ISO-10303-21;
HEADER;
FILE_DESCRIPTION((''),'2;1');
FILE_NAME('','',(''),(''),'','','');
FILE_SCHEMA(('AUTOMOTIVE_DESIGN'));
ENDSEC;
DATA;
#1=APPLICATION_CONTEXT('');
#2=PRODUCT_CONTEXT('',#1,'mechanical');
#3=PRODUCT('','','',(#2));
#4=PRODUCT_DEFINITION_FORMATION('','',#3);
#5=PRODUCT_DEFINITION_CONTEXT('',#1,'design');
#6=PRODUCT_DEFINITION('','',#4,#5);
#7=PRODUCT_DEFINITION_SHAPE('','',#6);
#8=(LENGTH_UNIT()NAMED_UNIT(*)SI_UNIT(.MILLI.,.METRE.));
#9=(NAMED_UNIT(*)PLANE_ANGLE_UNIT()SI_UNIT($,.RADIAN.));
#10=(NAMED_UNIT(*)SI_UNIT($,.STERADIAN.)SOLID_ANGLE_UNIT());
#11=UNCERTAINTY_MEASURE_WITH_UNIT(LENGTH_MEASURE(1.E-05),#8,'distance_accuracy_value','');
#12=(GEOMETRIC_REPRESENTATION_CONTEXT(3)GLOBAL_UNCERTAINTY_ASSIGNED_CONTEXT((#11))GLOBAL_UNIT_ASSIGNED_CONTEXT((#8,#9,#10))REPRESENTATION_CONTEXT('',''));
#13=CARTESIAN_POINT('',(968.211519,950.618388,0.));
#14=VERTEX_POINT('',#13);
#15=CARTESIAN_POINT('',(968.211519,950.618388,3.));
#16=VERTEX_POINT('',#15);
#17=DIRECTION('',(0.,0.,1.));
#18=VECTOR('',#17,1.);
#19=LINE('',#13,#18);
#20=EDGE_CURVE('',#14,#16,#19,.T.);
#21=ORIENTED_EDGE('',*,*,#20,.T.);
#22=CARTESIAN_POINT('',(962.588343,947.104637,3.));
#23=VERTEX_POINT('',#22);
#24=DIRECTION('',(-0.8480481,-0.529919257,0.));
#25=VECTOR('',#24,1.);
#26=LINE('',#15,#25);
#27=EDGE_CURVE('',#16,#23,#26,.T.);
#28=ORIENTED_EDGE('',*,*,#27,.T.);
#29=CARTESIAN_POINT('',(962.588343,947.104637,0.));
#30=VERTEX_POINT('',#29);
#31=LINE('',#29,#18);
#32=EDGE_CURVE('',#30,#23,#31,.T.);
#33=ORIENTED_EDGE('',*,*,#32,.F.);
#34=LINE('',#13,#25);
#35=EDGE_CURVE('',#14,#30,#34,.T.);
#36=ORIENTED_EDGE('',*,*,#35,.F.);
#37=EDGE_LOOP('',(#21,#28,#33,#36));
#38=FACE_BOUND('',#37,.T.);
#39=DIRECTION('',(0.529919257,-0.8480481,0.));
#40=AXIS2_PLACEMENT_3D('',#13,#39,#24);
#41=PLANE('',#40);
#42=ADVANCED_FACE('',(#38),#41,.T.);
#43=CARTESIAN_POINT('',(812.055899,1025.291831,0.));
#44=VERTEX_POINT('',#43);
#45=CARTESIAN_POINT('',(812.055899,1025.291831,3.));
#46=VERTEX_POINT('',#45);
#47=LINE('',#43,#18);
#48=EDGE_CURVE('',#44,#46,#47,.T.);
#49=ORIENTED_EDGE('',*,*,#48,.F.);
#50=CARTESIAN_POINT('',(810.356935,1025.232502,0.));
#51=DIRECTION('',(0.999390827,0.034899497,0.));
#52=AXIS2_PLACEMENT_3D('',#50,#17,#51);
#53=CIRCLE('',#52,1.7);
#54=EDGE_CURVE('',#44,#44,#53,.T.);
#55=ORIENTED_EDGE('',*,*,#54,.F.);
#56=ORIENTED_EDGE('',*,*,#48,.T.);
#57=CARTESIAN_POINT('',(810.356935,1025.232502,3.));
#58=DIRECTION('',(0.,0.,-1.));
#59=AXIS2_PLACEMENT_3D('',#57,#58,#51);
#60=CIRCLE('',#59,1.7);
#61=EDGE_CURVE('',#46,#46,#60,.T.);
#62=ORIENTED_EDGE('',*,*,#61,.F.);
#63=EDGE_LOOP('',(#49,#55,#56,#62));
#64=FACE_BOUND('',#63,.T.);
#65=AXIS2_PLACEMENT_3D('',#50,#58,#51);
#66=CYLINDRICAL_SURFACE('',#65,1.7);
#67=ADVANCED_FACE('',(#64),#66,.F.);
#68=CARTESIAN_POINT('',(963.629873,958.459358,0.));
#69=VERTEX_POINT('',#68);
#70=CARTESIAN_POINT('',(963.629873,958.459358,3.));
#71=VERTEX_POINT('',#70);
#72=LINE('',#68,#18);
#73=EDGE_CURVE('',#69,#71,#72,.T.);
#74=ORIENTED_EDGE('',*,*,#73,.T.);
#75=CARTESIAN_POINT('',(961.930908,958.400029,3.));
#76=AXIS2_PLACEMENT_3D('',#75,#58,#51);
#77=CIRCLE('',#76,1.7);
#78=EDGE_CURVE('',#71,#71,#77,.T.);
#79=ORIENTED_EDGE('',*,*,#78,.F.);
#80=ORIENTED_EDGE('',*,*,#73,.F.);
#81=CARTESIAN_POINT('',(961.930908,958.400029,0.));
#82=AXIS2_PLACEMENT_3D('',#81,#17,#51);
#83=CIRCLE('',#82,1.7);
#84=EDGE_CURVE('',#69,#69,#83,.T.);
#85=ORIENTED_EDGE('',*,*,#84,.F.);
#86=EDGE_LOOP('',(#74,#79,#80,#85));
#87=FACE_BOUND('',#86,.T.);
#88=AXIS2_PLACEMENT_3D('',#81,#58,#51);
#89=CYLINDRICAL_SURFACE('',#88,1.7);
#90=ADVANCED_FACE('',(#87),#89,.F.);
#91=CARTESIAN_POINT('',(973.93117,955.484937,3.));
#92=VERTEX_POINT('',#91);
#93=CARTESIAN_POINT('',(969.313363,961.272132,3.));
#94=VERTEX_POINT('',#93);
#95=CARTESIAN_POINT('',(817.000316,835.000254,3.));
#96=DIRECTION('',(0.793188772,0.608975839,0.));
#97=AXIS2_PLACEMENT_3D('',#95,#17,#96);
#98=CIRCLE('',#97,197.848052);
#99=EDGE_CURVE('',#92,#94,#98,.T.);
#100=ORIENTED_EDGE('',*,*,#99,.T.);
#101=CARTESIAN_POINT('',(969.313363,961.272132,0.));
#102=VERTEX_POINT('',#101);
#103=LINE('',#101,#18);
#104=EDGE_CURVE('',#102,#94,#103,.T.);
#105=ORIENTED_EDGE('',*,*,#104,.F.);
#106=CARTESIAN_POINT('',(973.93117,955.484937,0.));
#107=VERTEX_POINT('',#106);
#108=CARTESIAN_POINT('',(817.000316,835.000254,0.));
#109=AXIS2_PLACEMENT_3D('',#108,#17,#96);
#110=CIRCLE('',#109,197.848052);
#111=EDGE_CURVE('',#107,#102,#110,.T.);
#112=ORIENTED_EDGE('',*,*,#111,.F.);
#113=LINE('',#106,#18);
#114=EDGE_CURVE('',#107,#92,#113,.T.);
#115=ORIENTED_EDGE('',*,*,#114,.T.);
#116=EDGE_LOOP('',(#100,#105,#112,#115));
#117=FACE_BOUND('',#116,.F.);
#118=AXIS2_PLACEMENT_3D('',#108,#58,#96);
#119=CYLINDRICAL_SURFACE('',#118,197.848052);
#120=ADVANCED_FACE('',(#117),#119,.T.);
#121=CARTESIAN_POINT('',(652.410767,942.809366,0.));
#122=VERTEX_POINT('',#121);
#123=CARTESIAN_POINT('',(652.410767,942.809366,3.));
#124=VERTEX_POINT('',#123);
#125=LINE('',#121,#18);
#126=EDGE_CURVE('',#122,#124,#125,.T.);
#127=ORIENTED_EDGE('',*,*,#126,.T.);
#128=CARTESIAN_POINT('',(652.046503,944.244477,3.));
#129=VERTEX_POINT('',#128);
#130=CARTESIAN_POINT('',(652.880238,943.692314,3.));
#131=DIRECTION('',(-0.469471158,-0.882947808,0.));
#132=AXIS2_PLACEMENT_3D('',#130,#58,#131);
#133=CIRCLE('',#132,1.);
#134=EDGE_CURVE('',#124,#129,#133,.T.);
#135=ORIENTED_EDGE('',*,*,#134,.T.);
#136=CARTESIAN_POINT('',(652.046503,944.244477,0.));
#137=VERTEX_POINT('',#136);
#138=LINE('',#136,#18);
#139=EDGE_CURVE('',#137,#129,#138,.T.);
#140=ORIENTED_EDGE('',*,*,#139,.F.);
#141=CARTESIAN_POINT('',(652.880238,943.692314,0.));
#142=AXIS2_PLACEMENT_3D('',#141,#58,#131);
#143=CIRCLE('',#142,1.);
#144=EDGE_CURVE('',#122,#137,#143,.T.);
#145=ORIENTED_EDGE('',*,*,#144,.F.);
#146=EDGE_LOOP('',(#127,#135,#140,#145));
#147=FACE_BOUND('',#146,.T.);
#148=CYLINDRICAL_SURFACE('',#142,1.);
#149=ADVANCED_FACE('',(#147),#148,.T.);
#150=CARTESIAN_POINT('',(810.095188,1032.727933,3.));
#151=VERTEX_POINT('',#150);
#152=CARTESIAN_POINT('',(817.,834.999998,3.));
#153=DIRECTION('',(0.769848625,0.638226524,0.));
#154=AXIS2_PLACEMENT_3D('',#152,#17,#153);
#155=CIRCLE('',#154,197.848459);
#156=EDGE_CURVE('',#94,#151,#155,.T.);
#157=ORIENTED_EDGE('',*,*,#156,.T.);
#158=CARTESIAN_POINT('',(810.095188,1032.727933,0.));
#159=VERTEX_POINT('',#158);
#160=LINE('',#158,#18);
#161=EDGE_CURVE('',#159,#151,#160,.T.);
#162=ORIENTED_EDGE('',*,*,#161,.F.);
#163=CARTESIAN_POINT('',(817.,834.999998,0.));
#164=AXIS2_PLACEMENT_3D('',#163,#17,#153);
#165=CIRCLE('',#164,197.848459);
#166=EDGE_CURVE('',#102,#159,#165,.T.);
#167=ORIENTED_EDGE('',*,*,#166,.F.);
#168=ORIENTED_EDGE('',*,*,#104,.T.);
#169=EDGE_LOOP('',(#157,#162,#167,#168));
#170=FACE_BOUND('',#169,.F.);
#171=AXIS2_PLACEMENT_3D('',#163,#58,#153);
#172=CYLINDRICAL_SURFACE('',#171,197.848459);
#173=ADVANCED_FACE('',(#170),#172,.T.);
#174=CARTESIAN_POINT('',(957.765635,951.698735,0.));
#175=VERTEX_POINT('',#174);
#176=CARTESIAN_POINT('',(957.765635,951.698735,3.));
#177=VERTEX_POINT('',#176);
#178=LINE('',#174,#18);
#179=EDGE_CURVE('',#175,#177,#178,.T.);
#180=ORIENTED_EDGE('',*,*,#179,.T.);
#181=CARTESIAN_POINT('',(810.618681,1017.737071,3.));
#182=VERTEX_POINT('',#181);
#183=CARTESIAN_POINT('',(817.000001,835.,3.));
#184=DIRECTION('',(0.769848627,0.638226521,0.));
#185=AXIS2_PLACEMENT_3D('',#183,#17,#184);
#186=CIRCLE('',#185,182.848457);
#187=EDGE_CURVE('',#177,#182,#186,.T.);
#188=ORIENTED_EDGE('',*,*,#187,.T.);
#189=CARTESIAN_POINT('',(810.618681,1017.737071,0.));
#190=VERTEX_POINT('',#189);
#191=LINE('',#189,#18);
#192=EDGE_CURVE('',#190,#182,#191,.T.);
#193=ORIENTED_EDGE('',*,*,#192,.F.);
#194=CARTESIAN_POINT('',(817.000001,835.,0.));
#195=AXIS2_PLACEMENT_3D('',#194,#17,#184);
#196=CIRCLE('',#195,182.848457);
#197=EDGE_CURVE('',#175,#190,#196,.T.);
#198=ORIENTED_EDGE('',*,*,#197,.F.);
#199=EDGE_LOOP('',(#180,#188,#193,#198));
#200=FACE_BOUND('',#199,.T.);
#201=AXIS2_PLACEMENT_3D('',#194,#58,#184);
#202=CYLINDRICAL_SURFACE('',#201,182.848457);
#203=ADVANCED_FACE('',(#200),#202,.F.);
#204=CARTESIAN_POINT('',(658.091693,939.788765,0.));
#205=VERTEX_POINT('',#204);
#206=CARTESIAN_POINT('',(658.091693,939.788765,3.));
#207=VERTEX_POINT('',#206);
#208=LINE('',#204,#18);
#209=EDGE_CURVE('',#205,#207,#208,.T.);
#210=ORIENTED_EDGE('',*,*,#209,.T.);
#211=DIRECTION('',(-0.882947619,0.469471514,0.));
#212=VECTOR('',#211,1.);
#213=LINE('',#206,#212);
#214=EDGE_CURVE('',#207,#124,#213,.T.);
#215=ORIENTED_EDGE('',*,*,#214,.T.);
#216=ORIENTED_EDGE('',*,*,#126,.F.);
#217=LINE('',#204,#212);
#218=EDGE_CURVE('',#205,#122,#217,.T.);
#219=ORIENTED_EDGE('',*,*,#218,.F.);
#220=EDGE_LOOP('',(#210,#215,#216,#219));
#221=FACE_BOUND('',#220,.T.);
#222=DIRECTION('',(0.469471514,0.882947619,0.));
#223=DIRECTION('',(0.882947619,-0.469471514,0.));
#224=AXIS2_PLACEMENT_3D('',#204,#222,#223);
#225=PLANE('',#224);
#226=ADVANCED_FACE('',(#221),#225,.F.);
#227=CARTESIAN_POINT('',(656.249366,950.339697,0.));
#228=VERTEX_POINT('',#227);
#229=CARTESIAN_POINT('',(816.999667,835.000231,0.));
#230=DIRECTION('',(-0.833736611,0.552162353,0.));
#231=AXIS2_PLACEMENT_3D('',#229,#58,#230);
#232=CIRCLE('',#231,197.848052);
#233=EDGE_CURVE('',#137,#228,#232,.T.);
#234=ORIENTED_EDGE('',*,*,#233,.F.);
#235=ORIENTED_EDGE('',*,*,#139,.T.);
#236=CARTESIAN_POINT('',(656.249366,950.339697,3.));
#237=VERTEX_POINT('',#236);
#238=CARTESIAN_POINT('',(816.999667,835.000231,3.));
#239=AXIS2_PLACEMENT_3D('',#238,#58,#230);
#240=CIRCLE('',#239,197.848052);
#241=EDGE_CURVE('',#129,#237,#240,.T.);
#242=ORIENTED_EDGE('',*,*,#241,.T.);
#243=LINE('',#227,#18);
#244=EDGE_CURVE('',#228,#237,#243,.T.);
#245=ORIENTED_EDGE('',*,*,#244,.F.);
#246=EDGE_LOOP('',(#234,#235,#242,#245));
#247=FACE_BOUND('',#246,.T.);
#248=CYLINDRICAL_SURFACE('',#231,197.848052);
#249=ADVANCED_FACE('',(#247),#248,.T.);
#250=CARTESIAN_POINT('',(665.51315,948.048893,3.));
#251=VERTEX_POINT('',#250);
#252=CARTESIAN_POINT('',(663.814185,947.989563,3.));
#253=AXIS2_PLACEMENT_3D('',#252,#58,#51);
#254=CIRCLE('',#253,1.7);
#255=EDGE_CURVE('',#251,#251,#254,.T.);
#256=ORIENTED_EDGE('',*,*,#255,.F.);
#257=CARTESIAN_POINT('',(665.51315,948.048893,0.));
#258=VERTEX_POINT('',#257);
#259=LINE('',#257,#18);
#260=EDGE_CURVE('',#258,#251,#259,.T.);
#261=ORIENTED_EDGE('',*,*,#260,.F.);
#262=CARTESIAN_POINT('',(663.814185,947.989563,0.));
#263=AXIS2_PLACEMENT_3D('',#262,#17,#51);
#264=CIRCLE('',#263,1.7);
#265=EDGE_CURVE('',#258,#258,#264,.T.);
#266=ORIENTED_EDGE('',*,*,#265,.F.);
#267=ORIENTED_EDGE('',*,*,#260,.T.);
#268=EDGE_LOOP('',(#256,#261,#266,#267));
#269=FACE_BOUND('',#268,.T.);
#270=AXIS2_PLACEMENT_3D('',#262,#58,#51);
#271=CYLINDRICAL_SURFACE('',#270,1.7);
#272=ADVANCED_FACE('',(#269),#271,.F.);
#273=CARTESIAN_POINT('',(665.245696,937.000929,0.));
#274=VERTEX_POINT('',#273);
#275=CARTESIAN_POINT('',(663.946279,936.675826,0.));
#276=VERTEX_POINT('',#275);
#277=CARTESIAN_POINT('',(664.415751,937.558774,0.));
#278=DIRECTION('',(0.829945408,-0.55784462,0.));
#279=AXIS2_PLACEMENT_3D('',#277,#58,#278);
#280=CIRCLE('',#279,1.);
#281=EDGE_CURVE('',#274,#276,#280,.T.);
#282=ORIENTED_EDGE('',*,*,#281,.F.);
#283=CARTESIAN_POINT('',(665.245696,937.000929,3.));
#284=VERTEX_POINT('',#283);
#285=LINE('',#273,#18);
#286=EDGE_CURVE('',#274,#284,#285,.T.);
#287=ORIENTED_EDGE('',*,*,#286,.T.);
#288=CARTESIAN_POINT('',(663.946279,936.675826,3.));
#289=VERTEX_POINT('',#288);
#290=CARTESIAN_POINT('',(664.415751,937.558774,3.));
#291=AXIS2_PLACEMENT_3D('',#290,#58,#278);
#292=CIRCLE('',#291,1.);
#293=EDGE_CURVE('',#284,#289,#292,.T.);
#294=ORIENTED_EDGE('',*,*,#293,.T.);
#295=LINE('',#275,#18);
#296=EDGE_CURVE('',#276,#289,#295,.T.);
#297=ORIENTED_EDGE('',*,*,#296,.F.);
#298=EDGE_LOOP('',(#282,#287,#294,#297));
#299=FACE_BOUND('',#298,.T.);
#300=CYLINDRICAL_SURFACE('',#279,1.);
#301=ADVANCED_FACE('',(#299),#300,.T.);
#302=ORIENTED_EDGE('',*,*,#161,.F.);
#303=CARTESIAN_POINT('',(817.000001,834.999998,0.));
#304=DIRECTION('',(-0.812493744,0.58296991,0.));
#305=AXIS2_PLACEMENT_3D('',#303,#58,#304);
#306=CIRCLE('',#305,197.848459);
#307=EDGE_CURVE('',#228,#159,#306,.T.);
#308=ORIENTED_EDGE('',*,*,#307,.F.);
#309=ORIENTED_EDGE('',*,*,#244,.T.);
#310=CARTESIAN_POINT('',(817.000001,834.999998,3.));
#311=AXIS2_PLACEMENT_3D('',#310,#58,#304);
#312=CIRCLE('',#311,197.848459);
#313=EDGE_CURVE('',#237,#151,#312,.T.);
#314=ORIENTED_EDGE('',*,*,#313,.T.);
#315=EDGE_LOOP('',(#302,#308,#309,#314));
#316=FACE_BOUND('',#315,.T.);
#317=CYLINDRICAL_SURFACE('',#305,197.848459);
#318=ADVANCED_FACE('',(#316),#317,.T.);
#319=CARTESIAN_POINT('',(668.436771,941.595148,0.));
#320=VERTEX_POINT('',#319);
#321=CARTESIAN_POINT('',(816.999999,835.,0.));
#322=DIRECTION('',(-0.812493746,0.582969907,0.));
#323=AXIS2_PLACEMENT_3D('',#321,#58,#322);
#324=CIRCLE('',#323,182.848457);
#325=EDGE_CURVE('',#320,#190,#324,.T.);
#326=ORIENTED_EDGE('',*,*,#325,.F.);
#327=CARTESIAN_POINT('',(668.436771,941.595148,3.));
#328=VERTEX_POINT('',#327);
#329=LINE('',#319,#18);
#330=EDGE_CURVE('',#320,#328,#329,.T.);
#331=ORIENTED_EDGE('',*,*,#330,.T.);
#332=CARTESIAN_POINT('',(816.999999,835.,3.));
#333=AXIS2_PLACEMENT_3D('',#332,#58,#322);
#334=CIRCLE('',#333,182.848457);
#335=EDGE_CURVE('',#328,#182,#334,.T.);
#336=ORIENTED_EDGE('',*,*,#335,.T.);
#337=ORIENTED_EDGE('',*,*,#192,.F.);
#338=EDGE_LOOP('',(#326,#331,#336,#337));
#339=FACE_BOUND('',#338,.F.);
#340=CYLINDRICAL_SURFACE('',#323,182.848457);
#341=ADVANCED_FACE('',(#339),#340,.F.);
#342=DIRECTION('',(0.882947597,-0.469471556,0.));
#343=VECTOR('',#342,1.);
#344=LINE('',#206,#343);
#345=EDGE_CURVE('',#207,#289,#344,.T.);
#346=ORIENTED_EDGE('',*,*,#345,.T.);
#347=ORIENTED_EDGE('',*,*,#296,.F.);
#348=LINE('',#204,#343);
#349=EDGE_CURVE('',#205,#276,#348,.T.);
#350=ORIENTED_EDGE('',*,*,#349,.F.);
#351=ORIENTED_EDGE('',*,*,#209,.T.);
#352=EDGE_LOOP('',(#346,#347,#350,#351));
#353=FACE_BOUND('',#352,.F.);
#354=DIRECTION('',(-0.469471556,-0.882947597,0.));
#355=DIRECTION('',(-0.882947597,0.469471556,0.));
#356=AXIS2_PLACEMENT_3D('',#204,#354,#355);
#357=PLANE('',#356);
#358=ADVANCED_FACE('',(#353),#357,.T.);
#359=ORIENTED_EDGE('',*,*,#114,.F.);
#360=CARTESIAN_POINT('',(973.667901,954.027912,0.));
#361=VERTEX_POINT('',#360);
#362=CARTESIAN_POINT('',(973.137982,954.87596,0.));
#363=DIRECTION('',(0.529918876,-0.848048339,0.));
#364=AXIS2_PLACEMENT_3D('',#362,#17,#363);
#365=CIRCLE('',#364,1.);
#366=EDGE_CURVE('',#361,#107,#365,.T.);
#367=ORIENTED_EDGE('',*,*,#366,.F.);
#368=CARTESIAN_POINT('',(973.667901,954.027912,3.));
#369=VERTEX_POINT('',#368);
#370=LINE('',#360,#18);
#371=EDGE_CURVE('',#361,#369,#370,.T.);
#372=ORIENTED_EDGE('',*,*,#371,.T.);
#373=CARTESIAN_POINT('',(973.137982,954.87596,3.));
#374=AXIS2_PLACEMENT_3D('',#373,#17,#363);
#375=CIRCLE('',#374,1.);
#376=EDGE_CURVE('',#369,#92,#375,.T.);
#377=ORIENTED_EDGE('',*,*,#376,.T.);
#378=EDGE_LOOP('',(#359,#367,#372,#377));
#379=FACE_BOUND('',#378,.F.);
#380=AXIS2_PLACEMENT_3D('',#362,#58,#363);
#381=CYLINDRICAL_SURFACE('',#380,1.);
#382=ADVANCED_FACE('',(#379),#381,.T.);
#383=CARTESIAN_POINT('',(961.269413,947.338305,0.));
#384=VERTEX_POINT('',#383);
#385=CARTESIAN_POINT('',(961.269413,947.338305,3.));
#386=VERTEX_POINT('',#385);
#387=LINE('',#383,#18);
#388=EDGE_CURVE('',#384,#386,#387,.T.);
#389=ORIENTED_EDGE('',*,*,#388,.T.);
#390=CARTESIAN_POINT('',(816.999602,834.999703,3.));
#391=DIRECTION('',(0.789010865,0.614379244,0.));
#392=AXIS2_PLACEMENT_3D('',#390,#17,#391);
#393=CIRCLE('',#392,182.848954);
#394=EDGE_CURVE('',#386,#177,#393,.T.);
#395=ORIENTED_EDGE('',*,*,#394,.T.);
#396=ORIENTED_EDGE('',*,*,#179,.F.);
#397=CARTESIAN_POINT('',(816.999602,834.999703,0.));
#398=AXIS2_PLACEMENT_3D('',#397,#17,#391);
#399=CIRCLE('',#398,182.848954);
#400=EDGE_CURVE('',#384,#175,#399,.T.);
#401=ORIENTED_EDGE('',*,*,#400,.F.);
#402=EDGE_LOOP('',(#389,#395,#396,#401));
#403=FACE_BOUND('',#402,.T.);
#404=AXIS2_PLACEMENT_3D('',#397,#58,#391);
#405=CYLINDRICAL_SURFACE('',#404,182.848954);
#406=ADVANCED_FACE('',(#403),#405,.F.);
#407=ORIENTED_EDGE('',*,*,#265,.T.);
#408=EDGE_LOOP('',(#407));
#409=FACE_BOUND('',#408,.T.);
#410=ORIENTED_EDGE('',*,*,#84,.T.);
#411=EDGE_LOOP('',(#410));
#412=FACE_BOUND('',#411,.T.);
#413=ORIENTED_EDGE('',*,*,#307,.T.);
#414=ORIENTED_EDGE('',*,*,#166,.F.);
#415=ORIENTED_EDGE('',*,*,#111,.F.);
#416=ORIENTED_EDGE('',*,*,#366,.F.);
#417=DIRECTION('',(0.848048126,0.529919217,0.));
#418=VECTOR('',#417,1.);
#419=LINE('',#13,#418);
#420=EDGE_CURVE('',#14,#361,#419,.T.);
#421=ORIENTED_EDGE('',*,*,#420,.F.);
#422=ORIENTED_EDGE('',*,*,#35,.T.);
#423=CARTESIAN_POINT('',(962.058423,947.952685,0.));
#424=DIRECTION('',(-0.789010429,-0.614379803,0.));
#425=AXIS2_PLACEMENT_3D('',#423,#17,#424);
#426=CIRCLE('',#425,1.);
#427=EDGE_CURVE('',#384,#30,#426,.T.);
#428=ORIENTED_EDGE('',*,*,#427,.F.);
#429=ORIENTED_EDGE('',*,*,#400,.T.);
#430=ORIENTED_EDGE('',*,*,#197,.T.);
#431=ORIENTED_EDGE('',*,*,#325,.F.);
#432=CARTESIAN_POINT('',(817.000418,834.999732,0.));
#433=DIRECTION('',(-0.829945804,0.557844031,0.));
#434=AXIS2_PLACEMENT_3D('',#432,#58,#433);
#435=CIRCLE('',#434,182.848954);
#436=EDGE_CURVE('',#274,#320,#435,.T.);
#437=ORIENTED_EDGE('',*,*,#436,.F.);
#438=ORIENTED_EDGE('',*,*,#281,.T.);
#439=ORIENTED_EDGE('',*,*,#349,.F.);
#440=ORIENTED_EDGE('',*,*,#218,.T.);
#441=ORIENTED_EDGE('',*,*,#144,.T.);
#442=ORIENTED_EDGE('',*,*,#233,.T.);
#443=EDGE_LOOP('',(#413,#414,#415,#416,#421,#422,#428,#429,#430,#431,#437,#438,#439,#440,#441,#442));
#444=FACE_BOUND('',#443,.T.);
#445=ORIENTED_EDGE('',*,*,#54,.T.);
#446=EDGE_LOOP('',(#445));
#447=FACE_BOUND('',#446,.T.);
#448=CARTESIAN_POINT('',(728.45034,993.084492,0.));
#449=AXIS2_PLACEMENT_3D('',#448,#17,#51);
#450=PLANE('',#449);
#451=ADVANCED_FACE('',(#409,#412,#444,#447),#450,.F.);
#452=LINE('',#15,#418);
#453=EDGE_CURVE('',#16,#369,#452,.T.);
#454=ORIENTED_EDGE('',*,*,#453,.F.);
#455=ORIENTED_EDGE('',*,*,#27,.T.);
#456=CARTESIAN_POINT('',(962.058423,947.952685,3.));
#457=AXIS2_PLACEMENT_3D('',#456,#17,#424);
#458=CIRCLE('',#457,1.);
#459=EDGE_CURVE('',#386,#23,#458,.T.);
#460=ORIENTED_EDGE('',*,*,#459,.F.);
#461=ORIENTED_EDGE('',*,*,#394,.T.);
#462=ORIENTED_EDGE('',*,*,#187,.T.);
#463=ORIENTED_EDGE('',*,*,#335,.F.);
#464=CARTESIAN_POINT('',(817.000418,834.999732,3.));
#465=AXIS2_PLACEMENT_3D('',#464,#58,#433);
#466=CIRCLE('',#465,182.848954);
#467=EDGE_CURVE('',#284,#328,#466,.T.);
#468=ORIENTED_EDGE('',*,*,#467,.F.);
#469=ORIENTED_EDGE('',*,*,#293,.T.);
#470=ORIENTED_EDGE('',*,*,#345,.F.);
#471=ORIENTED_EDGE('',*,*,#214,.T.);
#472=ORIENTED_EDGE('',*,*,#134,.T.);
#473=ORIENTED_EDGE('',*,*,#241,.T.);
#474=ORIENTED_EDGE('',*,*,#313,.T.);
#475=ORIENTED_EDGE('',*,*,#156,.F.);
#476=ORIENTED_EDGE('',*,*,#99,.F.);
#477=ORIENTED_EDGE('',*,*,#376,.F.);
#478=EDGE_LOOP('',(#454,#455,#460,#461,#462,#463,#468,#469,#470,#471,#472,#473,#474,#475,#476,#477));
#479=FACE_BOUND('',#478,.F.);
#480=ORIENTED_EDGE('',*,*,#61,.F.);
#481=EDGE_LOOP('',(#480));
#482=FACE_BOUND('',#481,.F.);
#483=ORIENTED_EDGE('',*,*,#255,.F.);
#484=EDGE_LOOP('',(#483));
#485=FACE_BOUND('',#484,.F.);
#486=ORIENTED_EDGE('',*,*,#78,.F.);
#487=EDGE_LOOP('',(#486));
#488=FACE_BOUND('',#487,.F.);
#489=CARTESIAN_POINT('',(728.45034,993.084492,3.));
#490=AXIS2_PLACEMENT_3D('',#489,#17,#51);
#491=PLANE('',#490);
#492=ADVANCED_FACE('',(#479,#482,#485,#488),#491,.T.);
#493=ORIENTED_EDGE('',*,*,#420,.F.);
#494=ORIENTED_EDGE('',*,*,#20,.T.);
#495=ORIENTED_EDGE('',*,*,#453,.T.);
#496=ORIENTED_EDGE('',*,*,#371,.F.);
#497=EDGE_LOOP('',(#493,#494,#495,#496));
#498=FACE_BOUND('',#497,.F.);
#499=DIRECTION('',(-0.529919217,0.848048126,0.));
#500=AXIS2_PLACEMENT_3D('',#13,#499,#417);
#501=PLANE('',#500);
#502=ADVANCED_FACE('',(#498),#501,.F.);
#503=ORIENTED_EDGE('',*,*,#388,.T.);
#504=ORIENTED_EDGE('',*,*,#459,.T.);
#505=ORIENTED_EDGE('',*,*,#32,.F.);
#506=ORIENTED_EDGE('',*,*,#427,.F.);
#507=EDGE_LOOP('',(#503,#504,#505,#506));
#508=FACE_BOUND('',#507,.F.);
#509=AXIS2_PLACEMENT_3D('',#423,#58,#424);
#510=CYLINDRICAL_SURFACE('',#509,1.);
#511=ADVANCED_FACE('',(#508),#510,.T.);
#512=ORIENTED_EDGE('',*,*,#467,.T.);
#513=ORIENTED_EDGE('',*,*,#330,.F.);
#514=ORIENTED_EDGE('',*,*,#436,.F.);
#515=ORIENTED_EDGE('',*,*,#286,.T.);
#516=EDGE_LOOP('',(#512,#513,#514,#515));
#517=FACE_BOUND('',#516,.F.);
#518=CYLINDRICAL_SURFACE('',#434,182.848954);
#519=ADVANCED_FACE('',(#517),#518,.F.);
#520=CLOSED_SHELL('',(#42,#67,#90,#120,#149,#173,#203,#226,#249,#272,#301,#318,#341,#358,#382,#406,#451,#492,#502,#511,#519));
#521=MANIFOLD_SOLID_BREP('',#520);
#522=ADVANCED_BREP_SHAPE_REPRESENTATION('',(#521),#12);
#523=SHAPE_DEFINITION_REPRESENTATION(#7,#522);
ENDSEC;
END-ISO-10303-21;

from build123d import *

# Parameters (mm, degrees)
PAD021_DEPTH                        = 3
SKETCH083_R                         = 1.7
POCKET041_DEPTH                     = 0.001
POCKET041_DEPTH_BACK                = 3.001
SKETCH084_R                         = 1.7
POCKET042_DEPTH                     = 0.001
POCKET042_DEPTH_BACK                = 3.001
BODY001003005003013_PLACEMENT_ANGLE = 60
CLONE018_PLACEMENT_ANGLE            = 58


with BuildPart() as part:
    # Sketch082 → Pad021 (new body)
    with BuildSketch(Plane.XY):
        with BuildLine():
            ThreePointArc((156.627412, 120.879551), (87.258751, 177.56667), (0, 197.848457))
            Line((0, 197.848457), (0, 182.848457))
            ThreePointArc((144.752611, 111.714995), (80.643177, 164.104346), (0, 182.848457))
            ThreePointArc((148.102078, 107.234942), (146.444477, 109.487778), (144.752611, 111.714995))
            ThreePointArc((148.102078, 107.234942), (148.703343, 106.843433), (149.41205, 106.955386))
            Line((155.154429, 110.27075), (149.41205, 106.955386))
            Line((155.154429, 110.27075), (160.726477, 113.487773))
            ThreePointArc((160.726477, 113.487773), (161.203737, 114.141753), (161.040435, 114.934722))
            ThreePointArc((161.040435, 114.934722), (158.861734, 117.927781), (156.627412, 120.879551))
        make_face()
    pad021 = extrude(amount=PAD021_DEPTH)

    # Mirrored029: Pad021 across Sketch082 V_Axis
    add(pad021.mirror(Plane(origin=(0, 0, 0), x_dir=(0, 0, 1), z_dir=(1, 0, 0))))

    # Sketch083 → Pocket041 (cut, two sides)
    with BuildSketch(Plane.XY) as pocket041_sk:
        with Locations((149.149219, 118.266841)):
            Circle(SKETCH083_R)
        with Locations((-149.149219, 118.266841)):
            Circle(SKETCH083_R)
    extrude(amount=-POCKET041_DEPTH, mode=Mode.SUBTRACT)
    extrude(pocket041_sk.sketch, amount=POCKET041_DEPTH_BACK, mode=Mode.SUBTRACT)

    # Sketch084 → Pocket042 (cut, two sides)
    with BuildSketch(Plane.XY) as pocket042_sk:
        with Locations((0, 190.348457)):
            Circle(SKETCH084_R)
    extrude(amount=-POCKET042_DEPTH, mode=Mode.SUBTRACT)
    extrude(pocket042_sk.sketch, amount=POCKET042_DEPTH_BACK, mode=Mode.SUBTRACT)


with BuildPart() as part_1:
    # Body001003005003013 placement: moved
    add(part.part.rotate(Axis((0, 0, 0), (0, 0, 1)), BODY001003005003013_PLACEMENT_ANGLE))


with BuildPart() as part_2:
    # Clone018 placement: moved
    add(part_1.part.moved(Location((817, 835, 0))).rotate(Axis((817, 835, 0), (0, 0, -1)), CLONE018_PLACEMENT_ANGLE))


solid = part_2.part
